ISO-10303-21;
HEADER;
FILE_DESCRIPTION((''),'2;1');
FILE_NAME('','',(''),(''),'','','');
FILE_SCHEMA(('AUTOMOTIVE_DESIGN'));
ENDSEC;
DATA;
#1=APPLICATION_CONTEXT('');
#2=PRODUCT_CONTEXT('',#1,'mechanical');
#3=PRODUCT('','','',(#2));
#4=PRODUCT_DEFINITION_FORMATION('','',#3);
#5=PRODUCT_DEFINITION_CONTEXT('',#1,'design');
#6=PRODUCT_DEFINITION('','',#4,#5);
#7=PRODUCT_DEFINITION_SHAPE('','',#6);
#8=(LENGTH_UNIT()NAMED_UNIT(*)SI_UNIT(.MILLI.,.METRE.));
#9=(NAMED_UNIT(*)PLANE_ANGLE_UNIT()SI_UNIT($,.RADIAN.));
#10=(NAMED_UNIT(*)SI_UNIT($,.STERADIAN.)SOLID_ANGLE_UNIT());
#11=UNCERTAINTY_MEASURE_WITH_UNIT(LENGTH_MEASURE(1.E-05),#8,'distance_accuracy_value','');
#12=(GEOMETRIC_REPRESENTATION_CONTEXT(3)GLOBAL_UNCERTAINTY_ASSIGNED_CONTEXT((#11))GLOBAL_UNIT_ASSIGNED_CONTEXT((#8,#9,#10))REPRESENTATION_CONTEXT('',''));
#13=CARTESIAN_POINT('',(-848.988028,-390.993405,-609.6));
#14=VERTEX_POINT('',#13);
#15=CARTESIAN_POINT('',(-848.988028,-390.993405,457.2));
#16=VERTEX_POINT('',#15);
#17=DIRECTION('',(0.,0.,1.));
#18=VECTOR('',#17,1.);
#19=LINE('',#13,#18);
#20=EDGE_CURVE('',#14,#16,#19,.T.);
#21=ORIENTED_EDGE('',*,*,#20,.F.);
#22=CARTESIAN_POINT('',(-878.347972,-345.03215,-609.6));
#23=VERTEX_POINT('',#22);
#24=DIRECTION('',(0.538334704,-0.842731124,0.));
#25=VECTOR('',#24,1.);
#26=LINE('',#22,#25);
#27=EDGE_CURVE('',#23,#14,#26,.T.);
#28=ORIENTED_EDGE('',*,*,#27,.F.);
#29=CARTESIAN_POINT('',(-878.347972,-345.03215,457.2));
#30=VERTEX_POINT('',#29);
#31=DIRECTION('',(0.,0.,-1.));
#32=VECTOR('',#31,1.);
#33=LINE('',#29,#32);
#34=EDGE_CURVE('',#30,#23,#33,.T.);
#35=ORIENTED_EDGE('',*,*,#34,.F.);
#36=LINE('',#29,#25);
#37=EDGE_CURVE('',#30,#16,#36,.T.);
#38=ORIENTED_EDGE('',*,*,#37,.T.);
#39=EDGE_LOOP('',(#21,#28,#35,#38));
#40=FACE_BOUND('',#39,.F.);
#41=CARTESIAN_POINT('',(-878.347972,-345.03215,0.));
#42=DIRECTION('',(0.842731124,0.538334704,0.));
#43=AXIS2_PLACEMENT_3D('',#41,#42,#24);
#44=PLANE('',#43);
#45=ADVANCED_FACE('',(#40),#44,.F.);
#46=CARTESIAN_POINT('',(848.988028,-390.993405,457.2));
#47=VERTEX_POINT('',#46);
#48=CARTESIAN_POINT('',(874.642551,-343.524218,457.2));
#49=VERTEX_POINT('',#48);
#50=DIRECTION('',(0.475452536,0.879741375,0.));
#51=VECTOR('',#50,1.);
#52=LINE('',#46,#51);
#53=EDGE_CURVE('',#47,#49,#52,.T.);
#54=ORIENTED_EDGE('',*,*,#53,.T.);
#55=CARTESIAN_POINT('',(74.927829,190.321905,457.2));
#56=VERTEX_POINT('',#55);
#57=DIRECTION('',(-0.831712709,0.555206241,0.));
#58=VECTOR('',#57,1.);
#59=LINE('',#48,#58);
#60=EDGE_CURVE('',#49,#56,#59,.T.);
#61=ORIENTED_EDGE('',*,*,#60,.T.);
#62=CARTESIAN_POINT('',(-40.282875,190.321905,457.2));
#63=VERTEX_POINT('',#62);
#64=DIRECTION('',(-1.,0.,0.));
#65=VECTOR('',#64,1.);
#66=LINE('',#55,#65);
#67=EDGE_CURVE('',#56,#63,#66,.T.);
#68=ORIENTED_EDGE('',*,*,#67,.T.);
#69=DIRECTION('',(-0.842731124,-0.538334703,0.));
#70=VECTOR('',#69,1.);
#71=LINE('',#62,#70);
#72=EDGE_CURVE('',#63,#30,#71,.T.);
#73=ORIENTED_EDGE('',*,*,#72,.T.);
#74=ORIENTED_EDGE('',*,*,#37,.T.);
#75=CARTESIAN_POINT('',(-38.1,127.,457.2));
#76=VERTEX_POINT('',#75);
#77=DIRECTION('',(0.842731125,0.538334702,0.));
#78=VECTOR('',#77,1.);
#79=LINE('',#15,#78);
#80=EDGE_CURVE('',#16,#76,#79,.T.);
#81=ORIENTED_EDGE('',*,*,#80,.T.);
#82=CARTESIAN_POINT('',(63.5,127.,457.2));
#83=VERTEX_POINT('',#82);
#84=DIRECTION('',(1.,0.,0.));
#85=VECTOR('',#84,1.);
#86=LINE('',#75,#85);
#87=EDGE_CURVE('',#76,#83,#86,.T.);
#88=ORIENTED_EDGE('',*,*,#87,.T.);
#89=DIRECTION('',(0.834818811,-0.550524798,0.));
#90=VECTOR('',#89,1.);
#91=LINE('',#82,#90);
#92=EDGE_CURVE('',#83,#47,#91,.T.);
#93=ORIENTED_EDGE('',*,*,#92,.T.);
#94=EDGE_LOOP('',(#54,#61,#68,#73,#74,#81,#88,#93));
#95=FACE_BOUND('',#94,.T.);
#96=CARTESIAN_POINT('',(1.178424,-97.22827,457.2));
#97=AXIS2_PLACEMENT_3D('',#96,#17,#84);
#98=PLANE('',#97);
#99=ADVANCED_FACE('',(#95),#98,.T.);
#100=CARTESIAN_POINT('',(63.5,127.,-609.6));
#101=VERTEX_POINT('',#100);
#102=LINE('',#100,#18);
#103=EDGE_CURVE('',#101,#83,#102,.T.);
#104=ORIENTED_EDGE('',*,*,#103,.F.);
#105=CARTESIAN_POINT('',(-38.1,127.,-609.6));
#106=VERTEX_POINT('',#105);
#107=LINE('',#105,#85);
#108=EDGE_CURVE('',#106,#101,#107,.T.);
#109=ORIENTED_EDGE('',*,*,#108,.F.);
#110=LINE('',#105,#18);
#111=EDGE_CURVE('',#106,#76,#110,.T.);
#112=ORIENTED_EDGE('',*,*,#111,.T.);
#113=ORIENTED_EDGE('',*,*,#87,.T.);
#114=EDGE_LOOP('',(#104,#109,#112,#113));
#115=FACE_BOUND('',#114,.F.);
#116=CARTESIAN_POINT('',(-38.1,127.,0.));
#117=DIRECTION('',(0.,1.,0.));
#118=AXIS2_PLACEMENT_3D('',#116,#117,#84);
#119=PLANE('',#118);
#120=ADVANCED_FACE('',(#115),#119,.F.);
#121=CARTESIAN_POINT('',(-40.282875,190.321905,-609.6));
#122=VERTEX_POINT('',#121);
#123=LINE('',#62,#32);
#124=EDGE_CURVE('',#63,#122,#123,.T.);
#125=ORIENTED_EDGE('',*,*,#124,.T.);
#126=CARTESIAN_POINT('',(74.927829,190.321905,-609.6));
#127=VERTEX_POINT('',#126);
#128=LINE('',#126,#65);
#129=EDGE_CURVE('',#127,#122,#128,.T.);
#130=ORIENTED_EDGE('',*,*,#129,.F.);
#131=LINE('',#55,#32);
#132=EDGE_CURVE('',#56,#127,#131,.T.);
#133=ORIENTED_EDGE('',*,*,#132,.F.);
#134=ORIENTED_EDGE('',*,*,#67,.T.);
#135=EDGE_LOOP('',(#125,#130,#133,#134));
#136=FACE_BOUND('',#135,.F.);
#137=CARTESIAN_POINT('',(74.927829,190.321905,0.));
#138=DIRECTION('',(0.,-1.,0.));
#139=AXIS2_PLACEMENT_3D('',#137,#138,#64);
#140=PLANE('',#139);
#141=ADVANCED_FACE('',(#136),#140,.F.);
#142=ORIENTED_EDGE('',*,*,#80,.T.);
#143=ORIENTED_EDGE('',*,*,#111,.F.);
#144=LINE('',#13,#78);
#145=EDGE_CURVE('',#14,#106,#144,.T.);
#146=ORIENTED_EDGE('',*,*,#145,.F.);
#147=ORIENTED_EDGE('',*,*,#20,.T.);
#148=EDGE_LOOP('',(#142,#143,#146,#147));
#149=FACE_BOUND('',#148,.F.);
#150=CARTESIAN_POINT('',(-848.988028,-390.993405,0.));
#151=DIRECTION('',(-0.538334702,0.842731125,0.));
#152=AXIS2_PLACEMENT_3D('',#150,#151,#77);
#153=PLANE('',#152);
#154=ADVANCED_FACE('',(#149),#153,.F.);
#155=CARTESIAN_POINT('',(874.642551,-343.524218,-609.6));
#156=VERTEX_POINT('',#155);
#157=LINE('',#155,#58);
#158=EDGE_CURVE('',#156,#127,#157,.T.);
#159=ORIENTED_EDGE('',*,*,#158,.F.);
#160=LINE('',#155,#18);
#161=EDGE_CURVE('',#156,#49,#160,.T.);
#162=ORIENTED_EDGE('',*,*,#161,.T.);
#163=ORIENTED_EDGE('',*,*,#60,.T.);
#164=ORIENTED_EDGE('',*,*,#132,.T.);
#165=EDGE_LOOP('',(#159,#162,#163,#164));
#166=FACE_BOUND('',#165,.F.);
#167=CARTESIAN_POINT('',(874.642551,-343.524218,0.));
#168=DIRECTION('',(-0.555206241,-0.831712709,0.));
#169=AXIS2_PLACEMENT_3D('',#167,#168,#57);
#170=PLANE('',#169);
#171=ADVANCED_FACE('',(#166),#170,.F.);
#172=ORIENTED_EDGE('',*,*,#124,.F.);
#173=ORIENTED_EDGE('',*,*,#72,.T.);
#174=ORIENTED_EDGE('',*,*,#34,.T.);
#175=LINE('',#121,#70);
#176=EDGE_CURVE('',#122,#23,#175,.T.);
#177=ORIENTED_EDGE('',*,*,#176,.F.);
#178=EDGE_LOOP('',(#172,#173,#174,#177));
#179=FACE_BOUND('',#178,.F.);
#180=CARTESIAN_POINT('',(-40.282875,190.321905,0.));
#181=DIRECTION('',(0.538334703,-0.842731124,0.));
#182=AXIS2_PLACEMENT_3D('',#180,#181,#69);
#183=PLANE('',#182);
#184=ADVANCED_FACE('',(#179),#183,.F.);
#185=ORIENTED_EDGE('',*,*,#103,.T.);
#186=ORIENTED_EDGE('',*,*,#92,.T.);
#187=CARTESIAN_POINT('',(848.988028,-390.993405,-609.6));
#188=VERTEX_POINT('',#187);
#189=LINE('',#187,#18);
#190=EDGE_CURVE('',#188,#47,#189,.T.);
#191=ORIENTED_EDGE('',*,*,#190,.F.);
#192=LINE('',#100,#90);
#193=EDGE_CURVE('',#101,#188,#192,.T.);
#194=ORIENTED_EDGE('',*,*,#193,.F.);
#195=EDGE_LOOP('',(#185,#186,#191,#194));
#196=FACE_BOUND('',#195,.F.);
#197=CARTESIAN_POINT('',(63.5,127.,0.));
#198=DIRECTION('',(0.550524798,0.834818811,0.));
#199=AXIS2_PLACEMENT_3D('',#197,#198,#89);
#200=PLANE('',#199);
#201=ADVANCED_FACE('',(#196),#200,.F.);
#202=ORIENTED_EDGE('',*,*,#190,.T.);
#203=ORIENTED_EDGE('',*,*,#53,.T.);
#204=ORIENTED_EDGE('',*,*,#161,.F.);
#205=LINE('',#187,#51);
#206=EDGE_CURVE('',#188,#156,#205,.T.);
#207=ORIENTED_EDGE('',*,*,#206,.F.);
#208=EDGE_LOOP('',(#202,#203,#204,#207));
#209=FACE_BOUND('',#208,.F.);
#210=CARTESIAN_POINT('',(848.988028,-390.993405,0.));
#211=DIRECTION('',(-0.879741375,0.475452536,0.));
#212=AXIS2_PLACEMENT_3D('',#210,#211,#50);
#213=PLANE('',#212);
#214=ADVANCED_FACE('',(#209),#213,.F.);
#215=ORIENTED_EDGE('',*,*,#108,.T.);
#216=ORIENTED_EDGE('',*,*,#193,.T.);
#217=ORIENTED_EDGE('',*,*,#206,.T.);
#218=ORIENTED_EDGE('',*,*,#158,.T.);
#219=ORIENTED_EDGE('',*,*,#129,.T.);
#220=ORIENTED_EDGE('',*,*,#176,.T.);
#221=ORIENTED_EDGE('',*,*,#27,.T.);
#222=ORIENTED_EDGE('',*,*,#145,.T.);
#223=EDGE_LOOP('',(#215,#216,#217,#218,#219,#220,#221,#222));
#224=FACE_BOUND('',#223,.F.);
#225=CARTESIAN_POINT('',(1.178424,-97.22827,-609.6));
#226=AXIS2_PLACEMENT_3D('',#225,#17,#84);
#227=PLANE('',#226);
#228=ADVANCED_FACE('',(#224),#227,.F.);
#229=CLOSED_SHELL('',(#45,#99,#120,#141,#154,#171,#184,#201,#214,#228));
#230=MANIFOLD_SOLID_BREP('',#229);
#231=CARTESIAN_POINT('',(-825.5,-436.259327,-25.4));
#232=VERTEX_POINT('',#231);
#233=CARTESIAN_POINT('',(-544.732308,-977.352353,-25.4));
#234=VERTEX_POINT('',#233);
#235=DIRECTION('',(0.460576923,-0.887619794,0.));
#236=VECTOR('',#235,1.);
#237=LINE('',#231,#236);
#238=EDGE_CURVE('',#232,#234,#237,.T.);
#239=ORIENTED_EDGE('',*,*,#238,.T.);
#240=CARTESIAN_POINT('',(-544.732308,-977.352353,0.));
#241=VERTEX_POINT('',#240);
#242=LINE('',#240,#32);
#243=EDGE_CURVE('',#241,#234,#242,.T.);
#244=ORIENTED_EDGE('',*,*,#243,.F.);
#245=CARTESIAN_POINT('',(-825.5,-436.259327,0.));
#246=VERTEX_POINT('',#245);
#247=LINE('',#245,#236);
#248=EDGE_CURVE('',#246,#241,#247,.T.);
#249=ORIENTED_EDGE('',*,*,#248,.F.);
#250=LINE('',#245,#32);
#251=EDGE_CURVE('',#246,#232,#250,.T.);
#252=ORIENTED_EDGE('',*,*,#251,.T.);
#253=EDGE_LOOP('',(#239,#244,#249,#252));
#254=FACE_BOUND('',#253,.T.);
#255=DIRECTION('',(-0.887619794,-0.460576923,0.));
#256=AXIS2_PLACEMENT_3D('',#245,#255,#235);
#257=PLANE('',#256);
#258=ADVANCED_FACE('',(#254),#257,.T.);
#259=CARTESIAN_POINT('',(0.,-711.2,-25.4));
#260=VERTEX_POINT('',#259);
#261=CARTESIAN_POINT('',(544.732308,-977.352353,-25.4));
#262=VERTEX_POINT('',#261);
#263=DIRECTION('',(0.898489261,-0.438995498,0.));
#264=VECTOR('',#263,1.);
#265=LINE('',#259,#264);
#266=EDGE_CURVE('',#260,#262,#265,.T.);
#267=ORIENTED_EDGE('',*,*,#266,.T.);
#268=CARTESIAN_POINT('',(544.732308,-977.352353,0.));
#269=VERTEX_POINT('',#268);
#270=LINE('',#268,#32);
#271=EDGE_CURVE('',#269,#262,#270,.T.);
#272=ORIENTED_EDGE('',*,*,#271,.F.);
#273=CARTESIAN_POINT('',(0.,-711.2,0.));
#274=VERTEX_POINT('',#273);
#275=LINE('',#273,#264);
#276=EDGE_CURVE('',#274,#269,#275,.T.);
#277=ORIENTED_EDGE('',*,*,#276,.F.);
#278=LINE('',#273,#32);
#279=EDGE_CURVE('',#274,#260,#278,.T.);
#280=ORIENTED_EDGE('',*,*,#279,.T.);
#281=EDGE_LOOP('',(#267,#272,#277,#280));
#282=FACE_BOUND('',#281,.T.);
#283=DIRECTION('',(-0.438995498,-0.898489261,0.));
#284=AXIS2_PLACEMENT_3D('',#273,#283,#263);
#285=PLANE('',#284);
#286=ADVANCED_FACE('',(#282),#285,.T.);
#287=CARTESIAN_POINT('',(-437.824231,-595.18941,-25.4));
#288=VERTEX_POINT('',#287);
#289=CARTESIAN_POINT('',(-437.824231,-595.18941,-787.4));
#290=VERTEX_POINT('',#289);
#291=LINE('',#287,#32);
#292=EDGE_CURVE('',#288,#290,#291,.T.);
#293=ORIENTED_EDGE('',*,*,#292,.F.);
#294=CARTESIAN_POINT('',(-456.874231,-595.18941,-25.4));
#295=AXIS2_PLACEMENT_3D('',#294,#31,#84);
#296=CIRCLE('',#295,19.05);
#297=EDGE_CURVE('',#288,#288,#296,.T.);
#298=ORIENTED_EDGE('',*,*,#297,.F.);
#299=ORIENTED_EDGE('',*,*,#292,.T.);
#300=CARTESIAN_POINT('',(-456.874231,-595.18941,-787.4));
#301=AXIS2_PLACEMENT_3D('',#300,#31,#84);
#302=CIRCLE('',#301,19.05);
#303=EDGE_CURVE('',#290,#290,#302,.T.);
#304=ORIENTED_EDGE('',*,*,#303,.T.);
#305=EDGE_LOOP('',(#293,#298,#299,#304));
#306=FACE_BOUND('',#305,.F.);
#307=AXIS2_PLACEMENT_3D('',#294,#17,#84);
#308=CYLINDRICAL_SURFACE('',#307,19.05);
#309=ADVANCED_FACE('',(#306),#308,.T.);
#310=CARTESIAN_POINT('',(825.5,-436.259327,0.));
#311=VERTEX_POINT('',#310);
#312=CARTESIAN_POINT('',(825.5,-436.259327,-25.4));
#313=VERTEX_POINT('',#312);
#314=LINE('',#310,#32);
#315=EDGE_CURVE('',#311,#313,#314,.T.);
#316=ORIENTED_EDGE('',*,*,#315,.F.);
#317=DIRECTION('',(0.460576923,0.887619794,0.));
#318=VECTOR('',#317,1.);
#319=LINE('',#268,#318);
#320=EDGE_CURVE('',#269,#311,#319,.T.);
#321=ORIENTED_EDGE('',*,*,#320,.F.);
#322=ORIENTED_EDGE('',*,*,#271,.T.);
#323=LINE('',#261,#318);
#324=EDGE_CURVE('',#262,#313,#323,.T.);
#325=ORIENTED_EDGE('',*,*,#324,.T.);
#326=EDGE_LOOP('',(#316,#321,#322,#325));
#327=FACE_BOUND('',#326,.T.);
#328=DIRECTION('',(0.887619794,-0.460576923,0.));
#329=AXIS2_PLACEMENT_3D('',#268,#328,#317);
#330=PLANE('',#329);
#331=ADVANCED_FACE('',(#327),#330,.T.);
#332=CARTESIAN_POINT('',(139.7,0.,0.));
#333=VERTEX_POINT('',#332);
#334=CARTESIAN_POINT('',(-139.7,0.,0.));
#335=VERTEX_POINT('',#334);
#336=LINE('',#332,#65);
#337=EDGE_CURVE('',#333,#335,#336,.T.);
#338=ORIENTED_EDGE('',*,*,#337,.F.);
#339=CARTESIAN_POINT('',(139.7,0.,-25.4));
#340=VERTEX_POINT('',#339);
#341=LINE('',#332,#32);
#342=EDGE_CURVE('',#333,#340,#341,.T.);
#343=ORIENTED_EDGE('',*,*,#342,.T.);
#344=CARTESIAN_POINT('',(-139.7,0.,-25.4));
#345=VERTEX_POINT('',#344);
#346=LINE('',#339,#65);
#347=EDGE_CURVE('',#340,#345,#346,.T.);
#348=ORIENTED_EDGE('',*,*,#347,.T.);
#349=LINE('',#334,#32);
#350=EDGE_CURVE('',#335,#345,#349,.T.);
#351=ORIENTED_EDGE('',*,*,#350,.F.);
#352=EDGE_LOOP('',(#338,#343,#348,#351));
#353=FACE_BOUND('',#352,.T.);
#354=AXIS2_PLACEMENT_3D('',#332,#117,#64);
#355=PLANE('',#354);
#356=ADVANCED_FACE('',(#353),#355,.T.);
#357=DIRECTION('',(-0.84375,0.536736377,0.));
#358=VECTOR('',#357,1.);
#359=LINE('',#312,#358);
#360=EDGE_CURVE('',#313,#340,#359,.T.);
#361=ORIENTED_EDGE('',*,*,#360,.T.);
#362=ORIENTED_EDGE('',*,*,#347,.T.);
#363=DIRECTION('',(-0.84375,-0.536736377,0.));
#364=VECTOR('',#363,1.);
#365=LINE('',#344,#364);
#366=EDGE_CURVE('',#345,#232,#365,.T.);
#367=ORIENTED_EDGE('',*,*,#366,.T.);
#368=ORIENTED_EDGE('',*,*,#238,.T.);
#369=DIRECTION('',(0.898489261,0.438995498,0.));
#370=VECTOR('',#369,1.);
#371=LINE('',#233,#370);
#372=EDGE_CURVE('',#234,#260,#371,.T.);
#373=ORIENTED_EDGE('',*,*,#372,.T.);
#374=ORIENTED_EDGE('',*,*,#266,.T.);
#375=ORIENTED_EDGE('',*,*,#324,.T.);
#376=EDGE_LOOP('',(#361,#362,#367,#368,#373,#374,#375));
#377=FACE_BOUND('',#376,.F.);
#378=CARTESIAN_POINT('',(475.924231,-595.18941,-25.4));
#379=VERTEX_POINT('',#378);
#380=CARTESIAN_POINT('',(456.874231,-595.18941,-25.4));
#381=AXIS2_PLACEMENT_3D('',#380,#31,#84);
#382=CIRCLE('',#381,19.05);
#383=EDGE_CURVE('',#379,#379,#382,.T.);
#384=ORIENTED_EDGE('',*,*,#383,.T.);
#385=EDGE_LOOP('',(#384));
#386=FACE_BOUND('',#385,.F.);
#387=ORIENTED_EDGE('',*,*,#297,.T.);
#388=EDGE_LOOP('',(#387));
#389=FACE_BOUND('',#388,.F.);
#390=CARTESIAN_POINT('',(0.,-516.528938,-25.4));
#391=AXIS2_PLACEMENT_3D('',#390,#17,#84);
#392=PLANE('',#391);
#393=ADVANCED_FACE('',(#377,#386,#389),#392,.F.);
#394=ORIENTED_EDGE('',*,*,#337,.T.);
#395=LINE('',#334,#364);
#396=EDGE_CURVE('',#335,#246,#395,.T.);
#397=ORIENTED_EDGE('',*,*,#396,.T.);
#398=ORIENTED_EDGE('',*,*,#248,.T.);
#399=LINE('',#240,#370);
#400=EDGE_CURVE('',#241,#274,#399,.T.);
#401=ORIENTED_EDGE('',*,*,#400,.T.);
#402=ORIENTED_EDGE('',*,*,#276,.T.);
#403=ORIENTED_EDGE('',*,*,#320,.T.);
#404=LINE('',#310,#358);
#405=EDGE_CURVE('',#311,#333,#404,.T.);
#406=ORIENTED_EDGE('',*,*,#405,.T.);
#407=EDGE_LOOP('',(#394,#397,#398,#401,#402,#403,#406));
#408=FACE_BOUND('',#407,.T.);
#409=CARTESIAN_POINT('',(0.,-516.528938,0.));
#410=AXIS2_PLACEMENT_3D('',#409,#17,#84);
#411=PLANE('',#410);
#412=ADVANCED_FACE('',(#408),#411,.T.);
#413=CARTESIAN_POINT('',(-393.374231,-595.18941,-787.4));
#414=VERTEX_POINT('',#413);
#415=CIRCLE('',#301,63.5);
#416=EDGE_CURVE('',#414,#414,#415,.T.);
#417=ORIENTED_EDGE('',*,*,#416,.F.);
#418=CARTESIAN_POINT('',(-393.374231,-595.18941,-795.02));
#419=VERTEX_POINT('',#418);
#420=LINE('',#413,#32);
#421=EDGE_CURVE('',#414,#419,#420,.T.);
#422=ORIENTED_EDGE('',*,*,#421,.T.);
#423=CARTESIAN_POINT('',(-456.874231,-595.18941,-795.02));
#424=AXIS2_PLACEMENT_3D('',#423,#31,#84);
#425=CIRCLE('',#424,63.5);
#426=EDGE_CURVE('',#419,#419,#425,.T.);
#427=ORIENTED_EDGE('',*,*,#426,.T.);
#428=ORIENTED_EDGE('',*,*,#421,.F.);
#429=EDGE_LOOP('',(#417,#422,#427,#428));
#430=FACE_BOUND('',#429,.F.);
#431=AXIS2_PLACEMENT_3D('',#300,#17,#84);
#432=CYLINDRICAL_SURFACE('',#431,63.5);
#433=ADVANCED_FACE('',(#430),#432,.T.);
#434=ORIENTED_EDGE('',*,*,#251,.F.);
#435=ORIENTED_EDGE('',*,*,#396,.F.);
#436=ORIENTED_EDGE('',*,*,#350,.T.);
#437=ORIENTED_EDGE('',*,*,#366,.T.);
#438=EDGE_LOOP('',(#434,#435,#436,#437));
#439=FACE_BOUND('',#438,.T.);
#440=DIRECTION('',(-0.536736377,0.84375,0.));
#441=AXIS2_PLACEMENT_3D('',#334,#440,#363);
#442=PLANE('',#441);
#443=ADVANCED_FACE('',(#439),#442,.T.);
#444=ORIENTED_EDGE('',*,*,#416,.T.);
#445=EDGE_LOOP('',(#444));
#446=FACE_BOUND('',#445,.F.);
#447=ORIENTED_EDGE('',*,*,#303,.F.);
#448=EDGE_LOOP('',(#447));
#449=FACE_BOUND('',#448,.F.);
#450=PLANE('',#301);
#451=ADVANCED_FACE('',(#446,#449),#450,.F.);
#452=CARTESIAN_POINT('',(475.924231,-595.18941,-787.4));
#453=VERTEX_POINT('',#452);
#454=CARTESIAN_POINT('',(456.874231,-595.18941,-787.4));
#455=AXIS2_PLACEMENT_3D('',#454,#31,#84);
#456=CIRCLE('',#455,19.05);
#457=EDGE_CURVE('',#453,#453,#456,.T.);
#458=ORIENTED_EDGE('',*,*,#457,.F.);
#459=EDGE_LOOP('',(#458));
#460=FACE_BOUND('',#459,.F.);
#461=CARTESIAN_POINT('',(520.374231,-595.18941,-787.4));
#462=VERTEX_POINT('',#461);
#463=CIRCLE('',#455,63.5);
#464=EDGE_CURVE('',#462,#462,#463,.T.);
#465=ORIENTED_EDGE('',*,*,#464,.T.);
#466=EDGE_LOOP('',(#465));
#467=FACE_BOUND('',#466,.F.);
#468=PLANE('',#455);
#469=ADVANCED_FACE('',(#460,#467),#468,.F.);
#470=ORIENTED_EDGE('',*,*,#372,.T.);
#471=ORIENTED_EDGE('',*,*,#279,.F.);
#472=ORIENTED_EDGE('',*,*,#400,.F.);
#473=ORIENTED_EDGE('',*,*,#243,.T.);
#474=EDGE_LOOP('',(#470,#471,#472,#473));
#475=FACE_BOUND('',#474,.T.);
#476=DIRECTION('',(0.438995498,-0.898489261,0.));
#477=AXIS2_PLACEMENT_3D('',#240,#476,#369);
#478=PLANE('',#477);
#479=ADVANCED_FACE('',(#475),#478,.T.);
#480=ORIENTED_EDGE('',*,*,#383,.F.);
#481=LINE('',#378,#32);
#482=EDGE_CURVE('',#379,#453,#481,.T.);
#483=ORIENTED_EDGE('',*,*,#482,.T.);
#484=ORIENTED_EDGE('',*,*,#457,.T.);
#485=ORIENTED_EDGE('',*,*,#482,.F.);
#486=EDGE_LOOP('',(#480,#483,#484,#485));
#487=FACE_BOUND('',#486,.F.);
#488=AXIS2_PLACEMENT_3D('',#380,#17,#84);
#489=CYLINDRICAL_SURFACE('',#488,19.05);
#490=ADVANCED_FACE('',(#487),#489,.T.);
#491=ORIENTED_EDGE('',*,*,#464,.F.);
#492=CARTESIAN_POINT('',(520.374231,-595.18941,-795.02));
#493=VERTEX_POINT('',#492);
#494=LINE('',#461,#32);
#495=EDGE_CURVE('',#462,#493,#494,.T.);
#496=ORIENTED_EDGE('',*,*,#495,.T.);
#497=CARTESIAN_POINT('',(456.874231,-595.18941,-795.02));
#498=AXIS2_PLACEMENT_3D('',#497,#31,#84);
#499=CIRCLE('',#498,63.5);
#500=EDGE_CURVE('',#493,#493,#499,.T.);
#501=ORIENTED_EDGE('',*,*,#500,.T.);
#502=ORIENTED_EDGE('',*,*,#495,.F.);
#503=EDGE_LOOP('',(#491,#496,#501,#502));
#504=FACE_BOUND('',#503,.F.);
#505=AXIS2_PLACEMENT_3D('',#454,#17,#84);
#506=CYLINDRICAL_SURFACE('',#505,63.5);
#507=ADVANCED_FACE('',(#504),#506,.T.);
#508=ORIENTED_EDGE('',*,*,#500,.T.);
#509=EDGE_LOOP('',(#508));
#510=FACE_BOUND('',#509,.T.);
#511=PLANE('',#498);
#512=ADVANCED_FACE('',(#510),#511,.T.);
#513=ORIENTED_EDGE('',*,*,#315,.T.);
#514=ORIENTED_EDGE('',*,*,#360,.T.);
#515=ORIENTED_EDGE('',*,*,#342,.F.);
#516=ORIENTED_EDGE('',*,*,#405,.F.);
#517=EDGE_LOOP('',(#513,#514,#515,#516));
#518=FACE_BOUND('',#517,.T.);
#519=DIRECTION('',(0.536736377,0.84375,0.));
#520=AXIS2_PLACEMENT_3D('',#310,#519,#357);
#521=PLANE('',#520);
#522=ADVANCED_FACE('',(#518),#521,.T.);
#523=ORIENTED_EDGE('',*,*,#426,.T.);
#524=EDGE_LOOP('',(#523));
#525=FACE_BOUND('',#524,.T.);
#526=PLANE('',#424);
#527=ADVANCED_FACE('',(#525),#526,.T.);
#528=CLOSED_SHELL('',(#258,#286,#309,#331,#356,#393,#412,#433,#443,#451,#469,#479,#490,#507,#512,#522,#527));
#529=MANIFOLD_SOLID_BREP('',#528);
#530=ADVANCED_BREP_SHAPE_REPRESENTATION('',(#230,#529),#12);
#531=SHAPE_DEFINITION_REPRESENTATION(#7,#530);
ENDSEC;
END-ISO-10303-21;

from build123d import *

# Parameters (mm, degrees)
F1_DEPTH = 25.4
F2_R     = 19.05
F3_DEPTH = 762
F4_R     = 63.5
F5_DEPTH = 7.62
F7_DEPTH = 609.6
F8_DEPTH = 457.2


with BuildPart() as f1:
    # F0 (on Top) → F1 (new body)
    with BuildSketch(Plane.XY):
        Polygon((139.7, 0), (-139.7, 0), (-825.5, -436.259327), (-544.732308, -977.352353), (0, -711.2), (544.732308, -977.352353), (825.5, -436.259327), align=None)
    extrude(amount=-F1_DEPTH)

    # F2 (on face) → F3 (join)
    with BuildSketch(Plane(origin=(0, 0, -25.4), x_dir=(1, 0, 0), z_dir=(0, 0, -1))):
        with Locations((-456.874231, 595.18941)):
            Circle(F2_R)
        with Locations((456.874231, 595.18941)):
            Circle(F2_R)
    extrude(amount=F3_DEPTH)

    # F4 (on face) → F5 (join)
    with BuildSketch(Plane(origin=(0, 0, -787.4), x_dir=(1, 0, 0), z_dir=(0, 0, -1))):
        with Locations((-456.874231, 595.18941)):
            Circle(F4_R)
        with Locations((456.874231, 595.18941)):
            Circle(F4_R)
    extrude(amount=F5_DEPTH)


with BuildPart() as f7:
    # F6 (on Top) → F7 (new body)
    with BuildSketch(Plane.XY):
        Polygon((-878.347972, -345.03215), (-848.988028, -390.993405), (-38.1, 127), (63.5, 127), (848.988028, -390.993405), (874.642551, -343.524218), (74.927829, 190.321905), (-40.282875, 190.321905), align=None)
    extrude(amount=-F7_DEPTH)

    # F6 (on Top) → F8 (join)
    with BuildSketch(Plane.XY):
        Polygon((-878.347972, -345.03215), (-848.988028, -390.993405), (-38.1, 127), (63.5, 127), (848.988028, -390.993405), (874.642551, -343.524218), (74.927829, 190.321905), (-40.282875, 190.321905), align=None)
    extrude(amount=F8_DEPTH)


solid = Compound([f1.part, f7.part])
